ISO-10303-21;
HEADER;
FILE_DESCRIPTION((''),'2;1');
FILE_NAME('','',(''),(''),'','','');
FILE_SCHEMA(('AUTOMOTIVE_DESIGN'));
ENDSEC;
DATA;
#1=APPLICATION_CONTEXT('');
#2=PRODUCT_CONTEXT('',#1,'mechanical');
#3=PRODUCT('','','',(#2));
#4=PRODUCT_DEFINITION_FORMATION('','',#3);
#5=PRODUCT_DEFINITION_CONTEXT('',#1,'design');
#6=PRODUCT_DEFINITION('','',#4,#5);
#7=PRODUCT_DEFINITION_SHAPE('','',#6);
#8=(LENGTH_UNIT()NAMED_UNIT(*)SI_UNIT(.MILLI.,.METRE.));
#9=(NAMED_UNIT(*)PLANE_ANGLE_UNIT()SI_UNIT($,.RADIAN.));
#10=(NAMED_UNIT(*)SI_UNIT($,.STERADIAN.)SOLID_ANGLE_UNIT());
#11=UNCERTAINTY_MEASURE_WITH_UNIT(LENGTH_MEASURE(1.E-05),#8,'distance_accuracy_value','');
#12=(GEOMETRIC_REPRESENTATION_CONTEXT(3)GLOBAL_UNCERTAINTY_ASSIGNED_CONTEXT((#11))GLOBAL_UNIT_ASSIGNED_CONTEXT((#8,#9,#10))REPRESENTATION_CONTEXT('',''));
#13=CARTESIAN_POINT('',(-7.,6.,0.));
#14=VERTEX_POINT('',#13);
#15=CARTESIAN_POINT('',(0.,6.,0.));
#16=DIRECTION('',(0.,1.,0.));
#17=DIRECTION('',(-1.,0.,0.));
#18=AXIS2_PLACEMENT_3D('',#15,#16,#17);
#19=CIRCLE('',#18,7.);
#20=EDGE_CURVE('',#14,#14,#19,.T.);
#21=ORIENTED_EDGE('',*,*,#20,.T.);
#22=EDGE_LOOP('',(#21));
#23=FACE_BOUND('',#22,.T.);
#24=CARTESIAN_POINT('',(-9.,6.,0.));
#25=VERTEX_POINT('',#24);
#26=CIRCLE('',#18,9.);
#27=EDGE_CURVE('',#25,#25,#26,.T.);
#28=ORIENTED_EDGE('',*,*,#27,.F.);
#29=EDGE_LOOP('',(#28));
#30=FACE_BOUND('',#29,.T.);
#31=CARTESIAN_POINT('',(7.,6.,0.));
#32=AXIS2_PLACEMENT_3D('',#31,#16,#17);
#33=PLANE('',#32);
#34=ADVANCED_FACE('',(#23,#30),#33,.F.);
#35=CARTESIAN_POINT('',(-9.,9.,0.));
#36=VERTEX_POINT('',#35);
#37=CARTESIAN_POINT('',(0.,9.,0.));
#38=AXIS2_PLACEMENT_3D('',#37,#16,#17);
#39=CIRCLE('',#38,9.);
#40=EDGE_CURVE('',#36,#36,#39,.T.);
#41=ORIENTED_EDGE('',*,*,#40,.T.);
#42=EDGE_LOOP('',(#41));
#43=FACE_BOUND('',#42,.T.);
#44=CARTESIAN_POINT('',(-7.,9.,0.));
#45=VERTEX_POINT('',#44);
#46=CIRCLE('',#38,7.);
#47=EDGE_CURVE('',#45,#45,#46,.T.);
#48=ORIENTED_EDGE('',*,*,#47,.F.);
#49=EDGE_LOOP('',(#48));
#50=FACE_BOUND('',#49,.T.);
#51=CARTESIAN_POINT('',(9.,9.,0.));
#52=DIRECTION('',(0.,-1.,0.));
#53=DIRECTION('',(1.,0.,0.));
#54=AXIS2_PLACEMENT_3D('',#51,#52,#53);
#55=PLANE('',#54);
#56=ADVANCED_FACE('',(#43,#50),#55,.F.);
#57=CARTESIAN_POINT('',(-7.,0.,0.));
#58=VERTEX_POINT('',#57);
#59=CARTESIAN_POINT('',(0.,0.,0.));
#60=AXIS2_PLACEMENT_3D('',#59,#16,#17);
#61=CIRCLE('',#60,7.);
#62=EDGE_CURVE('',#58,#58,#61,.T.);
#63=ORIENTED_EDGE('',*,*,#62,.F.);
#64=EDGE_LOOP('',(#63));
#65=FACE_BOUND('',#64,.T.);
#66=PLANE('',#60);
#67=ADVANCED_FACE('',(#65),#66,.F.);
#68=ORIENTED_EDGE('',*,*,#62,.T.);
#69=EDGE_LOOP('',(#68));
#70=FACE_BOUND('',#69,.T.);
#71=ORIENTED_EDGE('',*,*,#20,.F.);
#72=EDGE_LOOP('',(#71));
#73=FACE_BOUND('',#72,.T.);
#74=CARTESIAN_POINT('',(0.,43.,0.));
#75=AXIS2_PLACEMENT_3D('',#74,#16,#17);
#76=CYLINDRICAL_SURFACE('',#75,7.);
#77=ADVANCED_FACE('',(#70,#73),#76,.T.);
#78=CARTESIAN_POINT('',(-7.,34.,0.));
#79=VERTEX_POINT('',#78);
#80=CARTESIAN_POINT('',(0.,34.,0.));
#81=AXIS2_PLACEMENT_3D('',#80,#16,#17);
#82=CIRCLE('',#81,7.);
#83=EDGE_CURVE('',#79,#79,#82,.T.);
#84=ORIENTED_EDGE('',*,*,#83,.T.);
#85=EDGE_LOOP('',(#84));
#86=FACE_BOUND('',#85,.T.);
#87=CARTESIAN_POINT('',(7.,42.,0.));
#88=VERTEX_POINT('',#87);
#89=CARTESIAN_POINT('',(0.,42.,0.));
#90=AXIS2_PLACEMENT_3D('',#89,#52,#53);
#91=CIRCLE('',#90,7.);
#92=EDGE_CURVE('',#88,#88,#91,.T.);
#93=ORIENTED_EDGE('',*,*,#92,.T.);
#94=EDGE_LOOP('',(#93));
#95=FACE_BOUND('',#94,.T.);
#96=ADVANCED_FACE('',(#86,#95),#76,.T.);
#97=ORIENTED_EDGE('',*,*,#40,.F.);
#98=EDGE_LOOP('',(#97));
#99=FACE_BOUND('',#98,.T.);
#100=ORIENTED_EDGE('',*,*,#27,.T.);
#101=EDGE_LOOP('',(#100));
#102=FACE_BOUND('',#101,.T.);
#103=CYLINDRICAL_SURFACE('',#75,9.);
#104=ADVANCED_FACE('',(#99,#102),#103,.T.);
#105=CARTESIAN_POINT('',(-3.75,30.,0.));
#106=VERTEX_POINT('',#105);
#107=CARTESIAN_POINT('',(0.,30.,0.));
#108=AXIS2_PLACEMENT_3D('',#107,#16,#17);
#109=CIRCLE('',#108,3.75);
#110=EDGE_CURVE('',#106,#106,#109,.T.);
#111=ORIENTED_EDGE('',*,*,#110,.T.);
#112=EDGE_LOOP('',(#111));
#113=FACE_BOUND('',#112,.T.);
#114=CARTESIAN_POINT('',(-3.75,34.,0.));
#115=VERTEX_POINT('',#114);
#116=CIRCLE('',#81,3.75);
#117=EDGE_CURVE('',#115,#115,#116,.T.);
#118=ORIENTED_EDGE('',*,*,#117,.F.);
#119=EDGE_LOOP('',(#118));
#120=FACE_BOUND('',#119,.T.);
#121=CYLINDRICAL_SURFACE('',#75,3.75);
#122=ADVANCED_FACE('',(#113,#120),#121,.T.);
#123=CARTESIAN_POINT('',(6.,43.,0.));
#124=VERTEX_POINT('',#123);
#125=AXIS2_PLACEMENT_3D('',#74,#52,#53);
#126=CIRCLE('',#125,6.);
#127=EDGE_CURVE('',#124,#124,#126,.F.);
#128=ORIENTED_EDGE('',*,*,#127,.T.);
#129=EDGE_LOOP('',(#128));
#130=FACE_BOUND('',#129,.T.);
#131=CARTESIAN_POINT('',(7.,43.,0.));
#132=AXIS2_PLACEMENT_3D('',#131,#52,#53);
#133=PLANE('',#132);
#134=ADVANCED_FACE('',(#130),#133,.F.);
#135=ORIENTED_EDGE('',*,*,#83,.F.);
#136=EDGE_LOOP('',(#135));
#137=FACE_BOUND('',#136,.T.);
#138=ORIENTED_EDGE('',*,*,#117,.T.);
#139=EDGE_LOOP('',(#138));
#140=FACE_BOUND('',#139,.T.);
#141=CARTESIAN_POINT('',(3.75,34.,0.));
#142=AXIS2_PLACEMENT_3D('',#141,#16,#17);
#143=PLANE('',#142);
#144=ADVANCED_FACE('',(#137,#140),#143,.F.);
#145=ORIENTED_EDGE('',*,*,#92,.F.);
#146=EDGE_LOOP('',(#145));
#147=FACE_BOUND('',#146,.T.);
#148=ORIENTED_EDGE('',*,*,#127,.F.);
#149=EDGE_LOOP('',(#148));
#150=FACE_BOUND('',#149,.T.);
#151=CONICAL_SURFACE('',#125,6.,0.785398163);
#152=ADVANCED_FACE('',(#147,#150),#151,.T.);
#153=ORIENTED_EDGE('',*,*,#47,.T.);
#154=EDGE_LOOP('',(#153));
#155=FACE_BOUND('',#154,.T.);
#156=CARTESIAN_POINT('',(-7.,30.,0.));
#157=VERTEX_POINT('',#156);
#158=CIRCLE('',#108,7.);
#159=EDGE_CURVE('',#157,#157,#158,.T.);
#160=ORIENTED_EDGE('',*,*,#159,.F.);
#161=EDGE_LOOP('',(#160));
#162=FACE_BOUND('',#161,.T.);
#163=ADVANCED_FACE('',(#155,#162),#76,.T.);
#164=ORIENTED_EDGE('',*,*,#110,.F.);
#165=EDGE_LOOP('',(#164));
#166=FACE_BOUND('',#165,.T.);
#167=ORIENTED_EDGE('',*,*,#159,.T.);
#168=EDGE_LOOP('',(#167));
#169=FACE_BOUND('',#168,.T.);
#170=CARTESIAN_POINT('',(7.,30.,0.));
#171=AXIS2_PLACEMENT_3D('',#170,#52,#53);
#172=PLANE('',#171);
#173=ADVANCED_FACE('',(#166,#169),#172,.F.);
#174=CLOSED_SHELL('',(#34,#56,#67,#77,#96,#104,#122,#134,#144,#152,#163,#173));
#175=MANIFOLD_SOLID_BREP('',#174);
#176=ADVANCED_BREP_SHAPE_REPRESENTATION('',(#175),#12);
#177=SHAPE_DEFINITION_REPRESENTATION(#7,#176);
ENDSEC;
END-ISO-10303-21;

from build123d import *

# Parameters (mm, degrees)
CHAMFER1_SIZE = 1


with BuildPart() as part:
    # Sketch1 → Revolve1 (revolve)
    with BuildSketch(Plane.XY):
        Polygon((0, 0), (7, 0), (7, 6), (9, 6), (9, 9), (7, 9), (7, 30), (3.75, 30), (3.75, 34), (7, 34), (7, 43), (0, 43), align=None)
    revolve(axis=Axis((0, 43, 0), (0, -1, 0)))

    # Chamfer1
    chamfer1_edges = [part.edges().sort_by_distance(p)[0] for p in [
        (-7, 43, 0),
    ]]
    chamfer(chamfer1_edges, length=CHAMFER1_SIZE)


solid = part.part
